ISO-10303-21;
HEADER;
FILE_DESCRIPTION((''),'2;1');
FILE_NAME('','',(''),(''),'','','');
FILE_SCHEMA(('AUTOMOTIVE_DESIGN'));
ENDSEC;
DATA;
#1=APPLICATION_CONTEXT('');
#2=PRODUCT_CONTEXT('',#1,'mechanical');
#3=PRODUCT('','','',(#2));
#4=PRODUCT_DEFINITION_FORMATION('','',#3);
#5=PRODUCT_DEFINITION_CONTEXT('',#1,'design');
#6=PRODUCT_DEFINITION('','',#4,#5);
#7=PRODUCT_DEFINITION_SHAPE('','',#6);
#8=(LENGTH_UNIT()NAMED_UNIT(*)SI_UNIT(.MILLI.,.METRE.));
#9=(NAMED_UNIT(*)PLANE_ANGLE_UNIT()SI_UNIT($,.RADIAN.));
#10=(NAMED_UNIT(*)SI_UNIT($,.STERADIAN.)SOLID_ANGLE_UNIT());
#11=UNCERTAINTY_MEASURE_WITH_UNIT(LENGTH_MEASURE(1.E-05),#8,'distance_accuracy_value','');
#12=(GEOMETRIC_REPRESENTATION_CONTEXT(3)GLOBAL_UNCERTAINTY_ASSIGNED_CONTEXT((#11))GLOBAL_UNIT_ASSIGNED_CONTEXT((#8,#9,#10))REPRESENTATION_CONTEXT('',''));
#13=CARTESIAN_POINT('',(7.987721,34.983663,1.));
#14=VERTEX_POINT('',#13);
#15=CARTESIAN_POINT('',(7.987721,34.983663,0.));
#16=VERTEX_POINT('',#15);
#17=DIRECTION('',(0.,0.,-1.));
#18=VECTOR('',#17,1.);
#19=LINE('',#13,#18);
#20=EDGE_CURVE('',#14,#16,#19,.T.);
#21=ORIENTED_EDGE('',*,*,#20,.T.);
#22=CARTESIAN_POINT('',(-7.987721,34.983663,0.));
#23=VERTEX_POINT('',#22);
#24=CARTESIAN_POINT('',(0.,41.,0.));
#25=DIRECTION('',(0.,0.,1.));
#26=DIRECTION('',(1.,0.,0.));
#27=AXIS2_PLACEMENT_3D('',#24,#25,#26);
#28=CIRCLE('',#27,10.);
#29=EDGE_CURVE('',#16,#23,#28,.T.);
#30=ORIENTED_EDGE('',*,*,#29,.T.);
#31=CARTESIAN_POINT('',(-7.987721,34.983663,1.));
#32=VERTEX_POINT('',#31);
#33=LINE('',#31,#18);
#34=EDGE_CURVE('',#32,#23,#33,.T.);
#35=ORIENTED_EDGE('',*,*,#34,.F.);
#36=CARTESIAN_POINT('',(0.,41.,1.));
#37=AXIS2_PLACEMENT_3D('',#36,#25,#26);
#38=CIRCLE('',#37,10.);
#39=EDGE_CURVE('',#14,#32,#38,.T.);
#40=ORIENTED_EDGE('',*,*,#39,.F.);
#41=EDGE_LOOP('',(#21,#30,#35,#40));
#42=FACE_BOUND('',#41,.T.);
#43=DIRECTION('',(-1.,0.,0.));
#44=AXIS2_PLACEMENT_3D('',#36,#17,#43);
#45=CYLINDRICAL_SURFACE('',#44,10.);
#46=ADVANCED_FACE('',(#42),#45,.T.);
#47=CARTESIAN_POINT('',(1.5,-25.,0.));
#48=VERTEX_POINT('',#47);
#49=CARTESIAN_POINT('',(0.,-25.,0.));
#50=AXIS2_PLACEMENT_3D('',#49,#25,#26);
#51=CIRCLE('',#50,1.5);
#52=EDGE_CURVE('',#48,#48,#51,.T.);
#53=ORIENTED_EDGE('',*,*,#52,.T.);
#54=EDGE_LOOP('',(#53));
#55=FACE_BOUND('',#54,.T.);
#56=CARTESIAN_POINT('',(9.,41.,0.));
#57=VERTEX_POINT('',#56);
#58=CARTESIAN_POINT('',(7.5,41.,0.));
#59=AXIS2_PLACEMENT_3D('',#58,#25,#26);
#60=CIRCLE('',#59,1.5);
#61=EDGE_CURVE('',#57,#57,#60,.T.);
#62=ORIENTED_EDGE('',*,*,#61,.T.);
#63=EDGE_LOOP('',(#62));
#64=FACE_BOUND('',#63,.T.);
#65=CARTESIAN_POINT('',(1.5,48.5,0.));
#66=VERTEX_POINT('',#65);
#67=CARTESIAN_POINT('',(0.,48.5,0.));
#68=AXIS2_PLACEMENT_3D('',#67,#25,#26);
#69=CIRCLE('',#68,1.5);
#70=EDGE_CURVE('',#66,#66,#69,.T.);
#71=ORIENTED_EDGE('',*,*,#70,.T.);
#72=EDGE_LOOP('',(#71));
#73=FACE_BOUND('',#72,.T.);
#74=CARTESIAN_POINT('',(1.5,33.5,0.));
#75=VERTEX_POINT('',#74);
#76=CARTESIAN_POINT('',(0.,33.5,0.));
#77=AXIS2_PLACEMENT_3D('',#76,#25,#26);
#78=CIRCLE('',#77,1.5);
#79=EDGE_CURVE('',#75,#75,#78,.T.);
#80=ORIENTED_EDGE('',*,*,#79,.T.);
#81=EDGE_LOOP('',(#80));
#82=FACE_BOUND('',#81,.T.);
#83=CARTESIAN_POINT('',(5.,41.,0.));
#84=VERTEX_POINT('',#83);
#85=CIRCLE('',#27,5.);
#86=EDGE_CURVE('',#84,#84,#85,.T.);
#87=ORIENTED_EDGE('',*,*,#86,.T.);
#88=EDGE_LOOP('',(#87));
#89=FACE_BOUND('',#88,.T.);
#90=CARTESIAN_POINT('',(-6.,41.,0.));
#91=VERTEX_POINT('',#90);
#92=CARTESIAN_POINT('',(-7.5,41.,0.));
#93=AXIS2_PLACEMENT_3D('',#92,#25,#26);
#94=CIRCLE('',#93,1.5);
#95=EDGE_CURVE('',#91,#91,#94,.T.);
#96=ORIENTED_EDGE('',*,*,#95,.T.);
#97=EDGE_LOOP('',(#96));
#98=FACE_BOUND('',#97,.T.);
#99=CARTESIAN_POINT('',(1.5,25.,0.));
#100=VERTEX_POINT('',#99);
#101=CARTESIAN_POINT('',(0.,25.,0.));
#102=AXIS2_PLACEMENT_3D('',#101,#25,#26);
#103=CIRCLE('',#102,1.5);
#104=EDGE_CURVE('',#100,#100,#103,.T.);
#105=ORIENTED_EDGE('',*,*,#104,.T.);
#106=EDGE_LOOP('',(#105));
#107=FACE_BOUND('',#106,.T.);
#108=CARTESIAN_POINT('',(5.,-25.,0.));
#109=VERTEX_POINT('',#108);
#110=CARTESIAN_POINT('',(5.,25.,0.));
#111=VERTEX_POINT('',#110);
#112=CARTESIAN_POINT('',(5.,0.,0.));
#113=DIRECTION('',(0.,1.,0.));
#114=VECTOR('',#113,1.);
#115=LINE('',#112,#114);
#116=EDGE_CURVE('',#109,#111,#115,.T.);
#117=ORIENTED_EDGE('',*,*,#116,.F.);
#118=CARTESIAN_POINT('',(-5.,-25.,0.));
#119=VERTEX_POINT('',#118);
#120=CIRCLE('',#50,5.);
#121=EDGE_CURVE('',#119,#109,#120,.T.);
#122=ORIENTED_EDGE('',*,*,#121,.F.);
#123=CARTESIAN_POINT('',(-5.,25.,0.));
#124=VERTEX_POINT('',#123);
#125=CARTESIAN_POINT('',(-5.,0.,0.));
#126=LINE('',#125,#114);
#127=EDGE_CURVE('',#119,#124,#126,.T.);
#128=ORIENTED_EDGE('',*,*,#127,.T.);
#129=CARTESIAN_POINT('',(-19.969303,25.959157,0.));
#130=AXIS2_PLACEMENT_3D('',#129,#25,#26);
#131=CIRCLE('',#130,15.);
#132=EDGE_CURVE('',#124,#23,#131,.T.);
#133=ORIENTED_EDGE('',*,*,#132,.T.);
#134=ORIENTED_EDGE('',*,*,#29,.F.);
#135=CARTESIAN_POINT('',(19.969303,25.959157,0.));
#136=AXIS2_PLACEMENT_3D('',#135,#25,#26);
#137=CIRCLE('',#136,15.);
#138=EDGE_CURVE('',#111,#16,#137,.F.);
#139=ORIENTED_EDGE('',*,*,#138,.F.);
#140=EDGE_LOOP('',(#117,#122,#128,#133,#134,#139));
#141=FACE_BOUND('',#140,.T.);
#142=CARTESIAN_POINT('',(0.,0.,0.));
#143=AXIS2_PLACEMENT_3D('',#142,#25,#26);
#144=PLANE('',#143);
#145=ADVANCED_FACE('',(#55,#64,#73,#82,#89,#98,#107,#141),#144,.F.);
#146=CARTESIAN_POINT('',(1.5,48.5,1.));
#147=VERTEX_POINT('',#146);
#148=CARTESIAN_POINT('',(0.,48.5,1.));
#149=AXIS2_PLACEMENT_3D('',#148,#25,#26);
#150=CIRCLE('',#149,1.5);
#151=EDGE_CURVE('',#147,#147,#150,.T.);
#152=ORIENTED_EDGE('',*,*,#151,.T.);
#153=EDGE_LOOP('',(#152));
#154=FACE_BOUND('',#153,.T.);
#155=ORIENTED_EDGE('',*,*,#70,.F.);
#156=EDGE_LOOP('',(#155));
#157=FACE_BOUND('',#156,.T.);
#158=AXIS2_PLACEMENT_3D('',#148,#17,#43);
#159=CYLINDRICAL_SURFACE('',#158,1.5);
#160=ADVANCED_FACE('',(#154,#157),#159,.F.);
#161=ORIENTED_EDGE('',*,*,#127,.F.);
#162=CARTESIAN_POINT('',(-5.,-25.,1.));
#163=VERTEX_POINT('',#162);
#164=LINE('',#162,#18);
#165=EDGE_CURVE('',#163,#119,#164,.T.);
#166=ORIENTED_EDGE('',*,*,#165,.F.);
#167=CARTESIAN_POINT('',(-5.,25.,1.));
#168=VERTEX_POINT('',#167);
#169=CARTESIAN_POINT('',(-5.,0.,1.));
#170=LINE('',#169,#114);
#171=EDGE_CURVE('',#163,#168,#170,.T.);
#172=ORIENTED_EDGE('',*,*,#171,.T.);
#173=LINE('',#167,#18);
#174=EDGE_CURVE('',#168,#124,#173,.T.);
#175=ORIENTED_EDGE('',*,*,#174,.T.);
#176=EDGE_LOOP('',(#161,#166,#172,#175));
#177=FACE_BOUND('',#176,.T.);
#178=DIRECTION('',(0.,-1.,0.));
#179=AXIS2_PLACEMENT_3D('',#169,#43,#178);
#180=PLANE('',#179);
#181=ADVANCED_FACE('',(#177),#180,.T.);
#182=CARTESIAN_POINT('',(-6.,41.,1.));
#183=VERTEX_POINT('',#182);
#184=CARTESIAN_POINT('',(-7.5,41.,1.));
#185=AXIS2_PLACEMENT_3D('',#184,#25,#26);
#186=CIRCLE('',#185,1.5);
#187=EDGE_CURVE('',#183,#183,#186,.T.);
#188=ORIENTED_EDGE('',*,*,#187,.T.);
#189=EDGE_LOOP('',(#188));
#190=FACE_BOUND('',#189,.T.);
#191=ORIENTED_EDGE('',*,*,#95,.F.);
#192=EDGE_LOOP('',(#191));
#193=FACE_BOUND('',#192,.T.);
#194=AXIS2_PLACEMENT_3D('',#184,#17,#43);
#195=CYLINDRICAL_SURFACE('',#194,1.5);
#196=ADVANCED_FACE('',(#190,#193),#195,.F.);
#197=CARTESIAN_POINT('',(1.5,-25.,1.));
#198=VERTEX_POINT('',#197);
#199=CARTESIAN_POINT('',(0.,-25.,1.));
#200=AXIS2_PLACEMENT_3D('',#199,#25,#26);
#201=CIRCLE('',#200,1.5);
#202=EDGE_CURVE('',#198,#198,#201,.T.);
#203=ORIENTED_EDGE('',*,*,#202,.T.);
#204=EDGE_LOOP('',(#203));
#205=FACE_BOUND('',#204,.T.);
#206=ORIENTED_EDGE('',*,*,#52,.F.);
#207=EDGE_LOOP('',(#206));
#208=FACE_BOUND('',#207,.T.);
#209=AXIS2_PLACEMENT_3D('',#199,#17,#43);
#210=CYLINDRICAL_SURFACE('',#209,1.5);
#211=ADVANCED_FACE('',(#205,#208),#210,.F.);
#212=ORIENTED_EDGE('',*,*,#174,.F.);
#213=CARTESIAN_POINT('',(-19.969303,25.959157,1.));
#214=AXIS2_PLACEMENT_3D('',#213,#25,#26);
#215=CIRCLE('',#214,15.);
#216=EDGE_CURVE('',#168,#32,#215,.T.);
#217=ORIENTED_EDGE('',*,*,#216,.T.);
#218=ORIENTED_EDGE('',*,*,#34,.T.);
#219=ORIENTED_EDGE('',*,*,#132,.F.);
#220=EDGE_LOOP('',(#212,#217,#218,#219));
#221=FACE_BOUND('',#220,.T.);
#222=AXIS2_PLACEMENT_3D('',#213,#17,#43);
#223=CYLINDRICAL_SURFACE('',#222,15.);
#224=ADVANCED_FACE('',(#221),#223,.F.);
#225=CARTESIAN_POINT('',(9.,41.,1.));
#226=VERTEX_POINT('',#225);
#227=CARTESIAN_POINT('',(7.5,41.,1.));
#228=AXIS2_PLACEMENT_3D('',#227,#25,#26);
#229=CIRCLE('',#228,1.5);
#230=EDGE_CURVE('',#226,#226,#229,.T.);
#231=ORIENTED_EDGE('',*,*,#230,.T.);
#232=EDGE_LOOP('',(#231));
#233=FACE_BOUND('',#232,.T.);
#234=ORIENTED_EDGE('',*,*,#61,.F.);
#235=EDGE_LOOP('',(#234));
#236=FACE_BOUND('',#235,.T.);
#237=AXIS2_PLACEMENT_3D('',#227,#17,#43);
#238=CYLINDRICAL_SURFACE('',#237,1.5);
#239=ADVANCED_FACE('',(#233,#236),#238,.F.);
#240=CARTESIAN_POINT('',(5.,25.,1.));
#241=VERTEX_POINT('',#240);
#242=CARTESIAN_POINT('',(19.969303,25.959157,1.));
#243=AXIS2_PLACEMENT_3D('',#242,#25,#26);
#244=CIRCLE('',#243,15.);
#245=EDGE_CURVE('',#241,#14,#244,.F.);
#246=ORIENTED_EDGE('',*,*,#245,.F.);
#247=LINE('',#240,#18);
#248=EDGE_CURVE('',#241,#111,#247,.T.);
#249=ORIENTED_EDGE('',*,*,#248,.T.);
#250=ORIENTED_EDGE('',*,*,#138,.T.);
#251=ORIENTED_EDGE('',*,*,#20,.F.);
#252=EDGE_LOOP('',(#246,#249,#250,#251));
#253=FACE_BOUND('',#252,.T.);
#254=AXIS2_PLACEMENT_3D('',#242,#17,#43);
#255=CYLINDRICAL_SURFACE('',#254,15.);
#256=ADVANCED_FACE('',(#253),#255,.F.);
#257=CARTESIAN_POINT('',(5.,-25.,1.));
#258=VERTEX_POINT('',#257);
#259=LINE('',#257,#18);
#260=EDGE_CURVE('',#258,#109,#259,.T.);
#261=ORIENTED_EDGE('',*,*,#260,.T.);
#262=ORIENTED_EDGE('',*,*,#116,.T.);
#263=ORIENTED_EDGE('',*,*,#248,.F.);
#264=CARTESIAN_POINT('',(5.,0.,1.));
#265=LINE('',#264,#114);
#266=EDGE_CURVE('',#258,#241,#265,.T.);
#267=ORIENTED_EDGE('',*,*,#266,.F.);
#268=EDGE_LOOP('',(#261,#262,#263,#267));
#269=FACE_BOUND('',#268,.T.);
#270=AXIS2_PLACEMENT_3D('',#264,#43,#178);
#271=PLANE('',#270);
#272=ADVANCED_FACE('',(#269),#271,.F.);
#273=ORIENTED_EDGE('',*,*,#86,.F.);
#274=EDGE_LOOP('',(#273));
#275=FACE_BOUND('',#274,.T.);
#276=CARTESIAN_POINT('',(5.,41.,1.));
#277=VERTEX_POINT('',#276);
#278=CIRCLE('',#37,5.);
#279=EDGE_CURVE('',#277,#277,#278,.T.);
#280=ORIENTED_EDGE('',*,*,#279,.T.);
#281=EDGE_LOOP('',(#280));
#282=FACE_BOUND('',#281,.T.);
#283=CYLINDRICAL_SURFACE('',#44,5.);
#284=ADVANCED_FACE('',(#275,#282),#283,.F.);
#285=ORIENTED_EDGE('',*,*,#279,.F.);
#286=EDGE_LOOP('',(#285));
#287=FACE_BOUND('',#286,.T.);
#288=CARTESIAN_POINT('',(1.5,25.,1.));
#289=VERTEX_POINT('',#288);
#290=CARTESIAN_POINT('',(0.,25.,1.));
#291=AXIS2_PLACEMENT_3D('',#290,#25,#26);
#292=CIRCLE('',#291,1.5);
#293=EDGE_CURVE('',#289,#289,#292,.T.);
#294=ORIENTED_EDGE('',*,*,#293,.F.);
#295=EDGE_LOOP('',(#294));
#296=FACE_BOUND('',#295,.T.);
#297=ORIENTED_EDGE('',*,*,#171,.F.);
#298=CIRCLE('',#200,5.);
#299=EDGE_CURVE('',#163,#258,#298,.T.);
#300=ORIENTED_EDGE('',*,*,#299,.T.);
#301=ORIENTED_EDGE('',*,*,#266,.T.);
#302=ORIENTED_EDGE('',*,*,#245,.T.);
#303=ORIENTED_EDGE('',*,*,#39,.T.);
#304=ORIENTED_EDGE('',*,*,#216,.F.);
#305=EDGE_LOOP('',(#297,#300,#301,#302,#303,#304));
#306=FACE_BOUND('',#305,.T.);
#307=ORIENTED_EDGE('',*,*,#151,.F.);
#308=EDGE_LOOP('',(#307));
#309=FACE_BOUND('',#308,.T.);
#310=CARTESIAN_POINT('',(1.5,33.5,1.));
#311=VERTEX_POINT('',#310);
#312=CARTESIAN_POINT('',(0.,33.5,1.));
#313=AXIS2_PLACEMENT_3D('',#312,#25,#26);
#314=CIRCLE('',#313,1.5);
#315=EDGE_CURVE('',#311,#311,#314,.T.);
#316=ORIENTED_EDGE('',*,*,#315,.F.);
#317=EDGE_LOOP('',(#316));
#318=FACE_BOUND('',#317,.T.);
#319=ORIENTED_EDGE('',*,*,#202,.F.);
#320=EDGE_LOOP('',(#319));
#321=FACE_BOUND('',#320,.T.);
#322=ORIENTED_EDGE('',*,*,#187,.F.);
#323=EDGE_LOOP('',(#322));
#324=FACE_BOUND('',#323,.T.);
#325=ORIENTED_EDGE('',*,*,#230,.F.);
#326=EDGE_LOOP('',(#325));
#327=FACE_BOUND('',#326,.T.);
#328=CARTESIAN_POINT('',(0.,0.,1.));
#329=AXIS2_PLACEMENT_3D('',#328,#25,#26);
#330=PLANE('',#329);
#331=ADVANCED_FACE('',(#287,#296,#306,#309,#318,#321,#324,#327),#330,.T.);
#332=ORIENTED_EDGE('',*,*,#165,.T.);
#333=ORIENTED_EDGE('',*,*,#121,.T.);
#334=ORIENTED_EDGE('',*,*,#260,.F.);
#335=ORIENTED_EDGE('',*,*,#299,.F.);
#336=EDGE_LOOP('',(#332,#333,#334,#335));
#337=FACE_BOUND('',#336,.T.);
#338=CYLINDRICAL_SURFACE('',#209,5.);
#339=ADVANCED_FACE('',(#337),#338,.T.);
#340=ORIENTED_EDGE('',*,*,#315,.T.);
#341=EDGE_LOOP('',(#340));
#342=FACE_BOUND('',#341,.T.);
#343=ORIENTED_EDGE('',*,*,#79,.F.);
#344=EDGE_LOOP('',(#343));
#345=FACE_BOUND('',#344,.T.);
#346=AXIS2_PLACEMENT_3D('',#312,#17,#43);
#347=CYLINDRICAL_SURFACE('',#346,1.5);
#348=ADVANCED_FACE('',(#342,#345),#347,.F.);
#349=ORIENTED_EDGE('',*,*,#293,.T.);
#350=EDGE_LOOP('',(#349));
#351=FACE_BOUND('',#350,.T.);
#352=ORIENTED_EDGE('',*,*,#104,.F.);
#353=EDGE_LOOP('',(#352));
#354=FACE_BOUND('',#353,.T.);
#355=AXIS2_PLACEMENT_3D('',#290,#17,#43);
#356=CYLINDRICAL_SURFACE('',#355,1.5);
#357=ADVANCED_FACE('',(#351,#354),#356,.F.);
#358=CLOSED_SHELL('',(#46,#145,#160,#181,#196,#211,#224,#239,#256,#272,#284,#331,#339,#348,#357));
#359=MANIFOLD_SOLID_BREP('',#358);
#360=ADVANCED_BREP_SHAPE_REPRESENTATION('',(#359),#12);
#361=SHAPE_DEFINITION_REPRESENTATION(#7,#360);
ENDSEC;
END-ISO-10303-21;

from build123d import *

# Parameters (mm, degrees)
SKETCH_1_R      = 1.5
SKETCH_1_R_2    = 5
EXTRUDE_1_DEPTH = 1


with BuildPart() as part:
    # 草图1 → 凸台-拉伸1 (new body)
    with BuildSketch(Plane.XY):
        with BuildLine():
            Line((-5, 25), (-5, -25))
            ThreePointArc((-5, -25), (0, -30), (5, -25))
            Line((5, -25), (5, 25))
            ThreePointArc((5, 25), (5.598988732, 30.259631636), (7.987721006, 34.983662814))
            ThreePointArc((7.987721006, 34.983662814), (0, 51), (-7.987721006, 34.983662814))
            ThreePointArc((-7.987721006, 34.983662814), (-5.598988732, 30.259631636), (-5, 25))
        make_face()
        with Locations((0, -25)):
            Circle(SKETCH_1_R, mode=Mode.SUBTRACT)
        with Locations((0, 25)):
            Circle(SKETCH_1_R, mode=Mode.SUBTRACT)
        with Locations((7.5, 41)):
            Circle(SKETCH_1_R, mode=Mode.SUBTRACT)
        with Locations((-7.5, 41)):
            Circle(SKETCH_1_R, mode=Mode.SUBTRACT)
        with Locations((0, 33.5)):
            Circle(SKETCH_1_R, mode=Mode.SUBTRACT)
        with Locations((0, 41)):
            Circle(SKETCH_1_R_2, mode=Mode.SUBTRACT)
        with Locations((0, 48.5)):
            Circle(SKETCH_1_R, mode=Mode.SUBTRACT)
    extrude(amount=EXTRUDE_1_DEPTH)


solid = part.part
